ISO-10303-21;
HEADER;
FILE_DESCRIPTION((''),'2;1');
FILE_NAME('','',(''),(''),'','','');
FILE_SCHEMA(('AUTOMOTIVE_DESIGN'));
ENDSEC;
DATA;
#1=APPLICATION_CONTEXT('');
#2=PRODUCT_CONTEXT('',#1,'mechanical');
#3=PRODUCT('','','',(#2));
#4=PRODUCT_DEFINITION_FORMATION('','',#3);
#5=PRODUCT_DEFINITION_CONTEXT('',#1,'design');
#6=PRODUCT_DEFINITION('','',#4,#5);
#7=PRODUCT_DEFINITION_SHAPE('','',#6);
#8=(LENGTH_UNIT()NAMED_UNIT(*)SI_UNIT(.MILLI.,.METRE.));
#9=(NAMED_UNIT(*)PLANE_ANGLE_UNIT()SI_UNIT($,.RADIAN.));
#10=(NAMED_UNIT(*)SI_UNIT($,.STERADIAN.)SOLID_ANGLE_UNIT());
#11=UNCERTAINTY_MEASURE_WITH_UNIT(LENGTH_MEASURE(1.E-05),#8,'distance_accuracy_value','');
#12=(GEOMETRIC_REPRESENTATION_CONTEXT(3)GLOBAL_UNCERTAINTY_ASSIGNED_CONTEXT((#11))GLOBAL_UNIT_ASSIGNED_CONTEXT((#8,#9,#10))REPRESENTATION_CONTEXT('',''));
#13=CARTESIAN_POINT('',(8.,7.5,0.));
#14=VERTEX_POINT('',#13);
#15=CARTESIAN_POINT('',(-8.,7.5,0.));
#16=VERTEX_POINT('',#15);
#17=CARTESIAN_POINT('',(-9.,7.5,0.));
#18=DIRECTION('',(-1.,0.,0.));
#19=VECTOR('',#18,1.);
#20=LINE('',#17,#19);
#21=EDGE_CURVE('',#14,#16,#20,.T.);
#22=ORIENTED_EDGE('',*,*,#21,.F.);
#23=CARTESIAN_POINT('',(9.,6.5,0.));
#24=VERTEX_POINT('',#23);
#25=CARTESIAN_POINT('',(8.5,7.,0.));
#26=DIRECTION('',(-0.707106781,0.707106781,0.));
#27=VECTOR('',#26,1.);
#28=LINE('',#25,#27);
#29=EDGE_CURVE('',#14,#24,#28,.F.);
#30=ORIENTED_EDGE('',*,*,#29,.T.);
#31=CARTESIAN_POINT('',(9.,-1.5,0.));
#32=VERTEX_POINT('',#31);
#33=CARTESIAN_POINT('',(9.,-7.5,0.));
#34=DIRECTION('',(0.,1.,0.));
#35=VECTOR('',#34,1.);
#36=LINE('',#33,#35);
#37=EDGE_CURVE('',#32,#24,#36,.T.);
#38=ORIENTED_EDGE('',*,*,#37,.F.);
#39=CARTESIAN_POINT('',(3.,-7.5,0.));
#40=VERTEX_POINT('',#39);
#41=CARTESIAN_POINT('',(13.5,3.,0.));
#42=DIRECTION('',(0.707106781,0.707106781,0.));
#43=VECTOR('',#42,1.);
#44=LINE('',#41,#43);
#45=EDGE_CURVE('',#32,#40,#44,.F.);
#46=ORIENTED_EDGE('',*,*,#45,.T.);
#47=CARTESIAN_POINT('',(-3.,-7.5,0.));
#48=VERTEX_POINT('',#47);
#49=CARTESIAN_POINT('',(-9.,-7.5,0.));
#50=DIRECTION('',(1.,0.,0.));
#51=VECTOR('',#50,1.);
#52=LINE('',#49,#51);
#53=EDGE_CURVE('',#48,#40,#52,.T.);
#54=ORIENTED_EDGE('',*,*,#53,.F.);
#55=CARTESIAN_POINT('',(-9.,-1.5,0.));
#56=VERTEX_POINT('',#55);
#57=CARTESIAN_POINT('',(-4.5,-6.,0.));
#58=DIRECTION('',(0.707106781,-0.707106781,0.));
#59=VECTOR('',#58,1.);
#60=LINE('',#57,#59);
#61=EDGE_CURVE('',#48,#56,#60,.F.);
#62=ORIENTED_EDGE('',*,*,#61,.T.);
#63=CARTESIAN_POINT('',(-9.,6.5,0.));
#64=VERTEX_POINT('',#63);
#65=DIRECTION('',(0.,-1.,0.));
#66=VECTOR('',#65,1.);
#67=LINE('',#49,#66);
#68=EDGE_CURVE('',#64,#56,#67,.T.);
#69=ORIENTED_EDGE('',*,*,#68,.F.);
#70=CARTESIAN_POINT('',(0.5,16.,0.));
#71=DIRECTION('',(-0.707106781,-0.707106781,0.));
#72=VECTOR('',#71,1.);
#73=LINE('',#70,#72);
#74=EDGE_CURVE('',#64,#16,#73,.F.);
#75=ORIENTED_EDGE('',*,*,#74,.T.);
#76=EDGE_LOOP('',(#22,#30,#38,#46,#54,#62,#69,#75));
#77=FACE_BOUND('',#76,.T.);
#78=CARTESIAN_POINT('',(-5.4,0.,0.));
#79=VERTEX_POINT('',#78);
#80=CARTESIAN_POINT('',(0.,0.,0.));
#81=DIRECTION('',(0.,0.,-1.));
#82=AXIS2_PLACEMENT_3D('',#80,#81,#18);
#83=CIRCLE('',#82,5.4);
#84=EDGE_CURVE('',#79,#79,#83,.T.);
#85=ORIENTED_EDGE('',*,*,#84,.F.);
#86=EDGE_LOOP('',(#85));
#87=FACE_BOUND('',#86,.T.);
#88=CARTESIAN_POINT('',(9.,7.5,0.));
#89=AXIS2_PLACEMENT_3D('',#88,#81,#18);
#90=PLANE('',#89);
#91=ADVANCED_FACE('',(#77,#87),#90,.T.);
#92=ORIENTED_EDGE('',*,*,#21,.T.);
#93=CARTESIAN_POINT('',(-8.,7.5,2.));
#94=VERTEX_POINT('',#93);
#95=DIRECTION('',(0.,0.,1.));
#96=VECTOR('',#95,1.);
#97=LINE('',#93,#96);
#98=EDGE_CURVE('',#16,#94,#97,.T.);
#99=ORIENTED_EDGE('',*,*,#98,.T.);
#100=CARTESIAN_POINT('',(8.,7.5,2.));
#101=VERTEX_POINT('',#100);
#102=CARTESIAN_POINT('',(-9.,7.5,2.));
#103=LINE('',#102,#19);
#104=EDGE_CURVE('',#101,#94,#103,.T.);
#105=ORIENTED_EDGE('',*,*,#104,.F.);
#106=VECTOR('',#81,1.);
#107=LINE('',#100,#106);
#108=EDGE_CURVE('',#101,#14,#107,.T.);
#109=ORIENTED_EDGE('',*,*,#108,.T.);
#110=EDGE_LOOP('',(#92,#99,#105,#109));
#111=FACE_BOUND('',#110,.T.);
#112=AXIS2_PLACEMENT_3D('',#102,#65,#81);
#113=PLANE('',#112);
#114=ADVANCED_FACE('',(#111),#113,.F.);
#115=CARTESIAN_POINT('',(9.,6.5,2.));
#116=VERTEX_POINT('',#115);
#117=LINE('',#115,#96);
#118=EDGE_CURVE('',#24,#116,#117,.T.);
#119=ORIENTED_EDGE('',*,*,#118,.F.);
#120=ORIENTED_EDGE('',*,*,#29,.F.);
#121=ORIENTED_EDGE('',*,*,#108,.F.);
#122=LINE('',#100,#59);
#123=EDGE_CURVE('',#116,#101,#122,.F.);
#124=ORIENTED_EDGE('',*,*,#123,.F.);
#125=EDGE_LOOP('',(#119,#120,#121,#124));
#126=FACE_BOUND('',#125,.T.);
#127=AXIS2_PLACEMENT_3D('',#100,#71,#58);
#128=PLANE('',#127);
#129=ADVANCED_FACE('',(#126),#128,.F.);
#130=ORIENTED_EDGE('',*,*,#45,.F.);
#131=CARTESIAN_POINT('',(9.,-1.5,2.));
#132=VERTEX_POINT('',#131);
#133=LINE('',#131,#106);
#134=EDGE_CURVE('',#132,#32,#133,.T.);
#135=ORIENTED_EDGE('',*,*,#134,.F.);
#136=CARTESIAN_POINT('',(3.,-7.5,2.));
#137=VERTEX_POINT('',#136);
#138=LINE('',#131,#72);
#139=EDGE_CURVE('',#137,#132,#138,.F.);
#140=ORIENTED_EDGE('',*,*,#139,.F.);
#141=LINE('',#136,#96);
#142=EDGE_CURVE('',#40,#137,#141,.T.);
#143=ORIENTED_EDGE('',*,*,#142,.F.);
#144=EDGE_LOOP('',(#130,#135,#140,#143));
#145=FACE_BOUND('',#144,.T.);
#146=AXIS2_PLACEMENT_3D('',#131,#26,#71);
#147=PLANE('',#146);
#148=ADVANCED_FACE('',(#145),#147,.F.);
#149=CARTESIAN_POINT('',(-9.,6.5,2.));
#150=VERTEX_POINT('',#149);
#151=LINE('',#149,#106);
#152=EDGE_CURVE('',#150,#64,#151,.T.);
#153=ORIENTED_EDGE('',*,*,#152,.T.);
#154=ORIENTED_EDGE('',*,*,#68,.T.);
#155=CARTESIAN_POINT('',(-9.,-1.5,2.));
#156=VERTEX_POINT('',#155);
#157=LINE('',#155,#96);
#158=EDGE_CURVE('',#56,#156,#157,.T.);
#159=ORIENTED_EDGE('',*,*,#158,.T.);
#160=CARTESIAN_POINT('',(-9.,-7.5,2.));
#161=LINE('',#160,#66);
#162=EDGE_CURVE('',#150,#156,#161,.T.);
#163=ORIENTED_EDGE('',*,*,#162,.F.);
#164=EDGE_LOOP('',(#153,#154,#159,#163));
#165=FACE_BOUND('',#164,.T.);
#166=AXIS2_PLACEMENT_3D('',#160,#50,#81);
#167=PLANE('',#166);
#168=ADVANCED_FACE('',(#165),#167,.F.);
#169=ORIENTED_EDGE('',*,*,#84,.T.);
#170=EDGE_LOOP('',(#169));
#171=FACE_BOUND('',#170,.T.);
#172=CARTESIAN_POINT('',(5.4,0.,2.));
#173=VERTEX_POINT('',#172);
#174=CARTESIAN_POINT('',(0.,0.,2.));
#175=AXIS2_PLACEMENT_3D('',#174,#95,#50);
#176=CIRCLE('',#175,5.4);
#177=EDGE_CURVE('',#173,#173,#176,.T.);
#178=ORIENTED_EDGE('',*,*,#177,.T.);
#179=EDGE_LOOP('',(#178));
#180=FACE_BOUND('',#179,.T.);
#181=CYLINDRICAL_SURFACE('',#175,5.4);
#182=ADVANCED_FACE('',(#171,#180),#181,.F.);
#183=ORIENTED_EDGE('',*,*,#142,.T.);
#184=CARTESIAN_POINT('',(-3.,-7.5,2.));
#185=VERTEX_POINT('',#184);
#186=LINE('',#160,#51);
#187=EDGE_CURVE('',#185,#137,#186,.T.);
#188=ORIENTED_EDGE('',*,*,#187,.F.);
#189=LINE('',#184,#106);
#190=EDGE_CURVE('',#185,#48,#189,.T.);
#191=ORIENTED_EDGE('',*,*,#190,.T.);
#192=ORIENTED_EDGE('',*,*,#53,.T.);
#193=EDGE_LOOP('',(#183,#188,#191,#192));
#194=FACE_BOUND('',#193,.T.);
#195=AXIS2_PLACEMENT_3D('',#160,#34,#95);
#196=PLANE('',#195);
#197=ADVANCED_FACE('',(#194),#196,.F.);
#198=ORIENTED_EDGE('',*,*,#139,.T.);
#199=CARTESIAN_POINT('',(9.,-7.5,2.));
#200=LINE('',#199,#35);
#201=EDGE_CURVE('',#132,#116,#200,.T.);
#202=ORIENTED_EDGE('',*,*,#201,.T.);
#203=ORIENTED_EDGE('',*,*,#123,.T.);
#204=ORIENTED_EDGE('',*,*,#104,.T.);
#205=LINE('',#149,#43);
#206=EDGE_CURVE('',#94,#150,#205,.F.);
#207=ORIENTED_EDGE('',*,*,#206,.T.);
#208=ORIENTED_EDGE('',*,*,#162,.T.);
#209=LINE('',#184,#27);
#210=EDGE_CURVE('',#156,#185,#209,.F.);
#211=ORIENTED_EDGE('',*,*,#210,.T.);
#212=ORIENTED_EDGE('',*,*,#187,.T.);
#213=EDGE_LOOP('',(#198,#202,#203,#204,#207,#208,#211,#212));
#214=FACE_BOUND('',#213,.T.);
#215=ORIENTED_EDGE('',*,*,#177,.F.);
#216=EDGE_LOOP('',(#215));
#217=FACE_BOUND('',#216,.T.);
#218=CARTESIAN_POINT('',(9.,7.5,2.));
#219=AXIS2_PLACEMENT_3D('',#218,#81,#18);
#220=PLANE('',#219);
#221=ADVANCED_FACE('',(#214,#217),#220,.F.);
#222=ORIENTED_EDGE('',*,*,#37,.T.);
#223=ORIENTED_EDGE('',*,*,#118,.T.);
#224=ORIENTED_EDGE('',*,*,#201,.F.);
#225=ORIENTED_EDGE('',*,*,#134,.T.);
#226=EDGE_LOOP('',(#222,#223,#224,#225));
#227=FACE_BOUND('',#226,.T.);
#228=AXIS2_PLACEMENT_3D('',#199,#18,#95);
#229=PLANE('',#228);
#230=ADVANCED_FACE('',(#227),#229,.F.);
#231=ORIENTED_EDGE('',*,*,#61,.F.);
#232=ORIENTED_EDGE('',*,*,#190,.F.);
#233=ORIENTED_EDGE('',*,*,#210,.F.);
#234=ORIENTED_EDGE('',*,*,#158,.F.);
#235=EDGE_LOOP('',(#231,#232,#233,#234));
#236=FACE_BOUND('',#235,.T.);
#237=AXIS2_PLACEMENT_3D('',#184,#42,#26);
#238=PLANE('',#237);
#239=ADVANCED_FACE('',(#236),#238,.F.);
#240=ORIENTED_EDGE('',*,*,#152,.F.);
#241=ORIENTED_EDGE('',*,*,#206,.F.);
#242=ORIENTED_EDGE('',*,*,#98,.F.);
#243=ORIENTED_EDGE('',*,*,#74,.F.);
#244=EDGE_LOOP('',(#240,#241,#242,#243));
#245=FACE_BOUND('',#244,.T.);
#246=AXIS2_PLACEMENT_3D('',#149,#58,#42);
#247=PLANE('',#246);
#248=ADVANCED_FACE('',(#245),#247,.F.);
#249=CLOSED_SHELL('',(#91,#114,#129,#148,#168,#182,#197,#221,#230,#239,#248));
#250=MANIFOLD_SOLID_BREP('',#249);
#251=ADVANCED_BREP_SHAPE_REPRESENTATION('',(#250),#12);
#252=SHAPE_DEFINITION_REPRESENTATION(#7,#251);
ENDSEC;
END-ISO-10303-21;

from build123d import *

# Parameters (mm, degrees)
SKETCH1_W                   = 18
SKETCH1_H                   = 15
BOSS_EXTRUDE1_DEPTH         = 2
CHAMFER1_SIZE               = 1
M12X1_25_TAPPED_HOLE1_D     = 10.8
M12X1_25_TAPPED_HOLE1_DEPTH = 8.75
M12X1_25_TAPPED_HOLE1_TIP   = 3.244647343
CHAMFER2_SIZE               = 6


with BuildPart() as part:
    # Sketch1 → Boss-Extrude1 (new body)
    with BuildSketch(Plane.XY):
        Rectangle(SKETCH1_W, SKETCH1_H)
    extrude(amount=BOSS_EXTRUDE1_DEPTH)

    # Chamfer1
    chamfer1_edges = [part.edges().sort_by_distance(p)[0] for p in [
        (-9, 7.5, 1),
        (9, 7.5, 1),
    ]]
    chamfer(chamfer1_edges, length=CHAMFER1_SIZE)

    # M12x1.25 Tapped Hole1
    with Locations(Plane.XY.offset(2)):
        with Locations((0, 0)):
            Hole(M12X1_25_TAPPED_HOLE1_D / 2, depth=M12X1_25_TAPPED_HOLE1_DEPTH)
            with Locations((0, 0, -(M12X1_25_TAPPED_HOLE1_DEPTH + M12X1_25_TAPPED_HOLE1_TIP / 2))):  # 118° drill point
                Cone(0, M12X1_25_TAPPED_HOLE1_D / 2, M12X1_25_TAPPED_HOLE1_TIP, mode=Mode.SUBTRACT)

    # Chamfer2
    chamfer2_edges = [part.edges().sort_by_distance(p)[0] for p in [
        (9, -7.5, 1),
        (-9, -7.5, 1),
    ]]
    chamfer(chamfer2_edges, length=CHAMFER2_SIZE)


solid = part.part
